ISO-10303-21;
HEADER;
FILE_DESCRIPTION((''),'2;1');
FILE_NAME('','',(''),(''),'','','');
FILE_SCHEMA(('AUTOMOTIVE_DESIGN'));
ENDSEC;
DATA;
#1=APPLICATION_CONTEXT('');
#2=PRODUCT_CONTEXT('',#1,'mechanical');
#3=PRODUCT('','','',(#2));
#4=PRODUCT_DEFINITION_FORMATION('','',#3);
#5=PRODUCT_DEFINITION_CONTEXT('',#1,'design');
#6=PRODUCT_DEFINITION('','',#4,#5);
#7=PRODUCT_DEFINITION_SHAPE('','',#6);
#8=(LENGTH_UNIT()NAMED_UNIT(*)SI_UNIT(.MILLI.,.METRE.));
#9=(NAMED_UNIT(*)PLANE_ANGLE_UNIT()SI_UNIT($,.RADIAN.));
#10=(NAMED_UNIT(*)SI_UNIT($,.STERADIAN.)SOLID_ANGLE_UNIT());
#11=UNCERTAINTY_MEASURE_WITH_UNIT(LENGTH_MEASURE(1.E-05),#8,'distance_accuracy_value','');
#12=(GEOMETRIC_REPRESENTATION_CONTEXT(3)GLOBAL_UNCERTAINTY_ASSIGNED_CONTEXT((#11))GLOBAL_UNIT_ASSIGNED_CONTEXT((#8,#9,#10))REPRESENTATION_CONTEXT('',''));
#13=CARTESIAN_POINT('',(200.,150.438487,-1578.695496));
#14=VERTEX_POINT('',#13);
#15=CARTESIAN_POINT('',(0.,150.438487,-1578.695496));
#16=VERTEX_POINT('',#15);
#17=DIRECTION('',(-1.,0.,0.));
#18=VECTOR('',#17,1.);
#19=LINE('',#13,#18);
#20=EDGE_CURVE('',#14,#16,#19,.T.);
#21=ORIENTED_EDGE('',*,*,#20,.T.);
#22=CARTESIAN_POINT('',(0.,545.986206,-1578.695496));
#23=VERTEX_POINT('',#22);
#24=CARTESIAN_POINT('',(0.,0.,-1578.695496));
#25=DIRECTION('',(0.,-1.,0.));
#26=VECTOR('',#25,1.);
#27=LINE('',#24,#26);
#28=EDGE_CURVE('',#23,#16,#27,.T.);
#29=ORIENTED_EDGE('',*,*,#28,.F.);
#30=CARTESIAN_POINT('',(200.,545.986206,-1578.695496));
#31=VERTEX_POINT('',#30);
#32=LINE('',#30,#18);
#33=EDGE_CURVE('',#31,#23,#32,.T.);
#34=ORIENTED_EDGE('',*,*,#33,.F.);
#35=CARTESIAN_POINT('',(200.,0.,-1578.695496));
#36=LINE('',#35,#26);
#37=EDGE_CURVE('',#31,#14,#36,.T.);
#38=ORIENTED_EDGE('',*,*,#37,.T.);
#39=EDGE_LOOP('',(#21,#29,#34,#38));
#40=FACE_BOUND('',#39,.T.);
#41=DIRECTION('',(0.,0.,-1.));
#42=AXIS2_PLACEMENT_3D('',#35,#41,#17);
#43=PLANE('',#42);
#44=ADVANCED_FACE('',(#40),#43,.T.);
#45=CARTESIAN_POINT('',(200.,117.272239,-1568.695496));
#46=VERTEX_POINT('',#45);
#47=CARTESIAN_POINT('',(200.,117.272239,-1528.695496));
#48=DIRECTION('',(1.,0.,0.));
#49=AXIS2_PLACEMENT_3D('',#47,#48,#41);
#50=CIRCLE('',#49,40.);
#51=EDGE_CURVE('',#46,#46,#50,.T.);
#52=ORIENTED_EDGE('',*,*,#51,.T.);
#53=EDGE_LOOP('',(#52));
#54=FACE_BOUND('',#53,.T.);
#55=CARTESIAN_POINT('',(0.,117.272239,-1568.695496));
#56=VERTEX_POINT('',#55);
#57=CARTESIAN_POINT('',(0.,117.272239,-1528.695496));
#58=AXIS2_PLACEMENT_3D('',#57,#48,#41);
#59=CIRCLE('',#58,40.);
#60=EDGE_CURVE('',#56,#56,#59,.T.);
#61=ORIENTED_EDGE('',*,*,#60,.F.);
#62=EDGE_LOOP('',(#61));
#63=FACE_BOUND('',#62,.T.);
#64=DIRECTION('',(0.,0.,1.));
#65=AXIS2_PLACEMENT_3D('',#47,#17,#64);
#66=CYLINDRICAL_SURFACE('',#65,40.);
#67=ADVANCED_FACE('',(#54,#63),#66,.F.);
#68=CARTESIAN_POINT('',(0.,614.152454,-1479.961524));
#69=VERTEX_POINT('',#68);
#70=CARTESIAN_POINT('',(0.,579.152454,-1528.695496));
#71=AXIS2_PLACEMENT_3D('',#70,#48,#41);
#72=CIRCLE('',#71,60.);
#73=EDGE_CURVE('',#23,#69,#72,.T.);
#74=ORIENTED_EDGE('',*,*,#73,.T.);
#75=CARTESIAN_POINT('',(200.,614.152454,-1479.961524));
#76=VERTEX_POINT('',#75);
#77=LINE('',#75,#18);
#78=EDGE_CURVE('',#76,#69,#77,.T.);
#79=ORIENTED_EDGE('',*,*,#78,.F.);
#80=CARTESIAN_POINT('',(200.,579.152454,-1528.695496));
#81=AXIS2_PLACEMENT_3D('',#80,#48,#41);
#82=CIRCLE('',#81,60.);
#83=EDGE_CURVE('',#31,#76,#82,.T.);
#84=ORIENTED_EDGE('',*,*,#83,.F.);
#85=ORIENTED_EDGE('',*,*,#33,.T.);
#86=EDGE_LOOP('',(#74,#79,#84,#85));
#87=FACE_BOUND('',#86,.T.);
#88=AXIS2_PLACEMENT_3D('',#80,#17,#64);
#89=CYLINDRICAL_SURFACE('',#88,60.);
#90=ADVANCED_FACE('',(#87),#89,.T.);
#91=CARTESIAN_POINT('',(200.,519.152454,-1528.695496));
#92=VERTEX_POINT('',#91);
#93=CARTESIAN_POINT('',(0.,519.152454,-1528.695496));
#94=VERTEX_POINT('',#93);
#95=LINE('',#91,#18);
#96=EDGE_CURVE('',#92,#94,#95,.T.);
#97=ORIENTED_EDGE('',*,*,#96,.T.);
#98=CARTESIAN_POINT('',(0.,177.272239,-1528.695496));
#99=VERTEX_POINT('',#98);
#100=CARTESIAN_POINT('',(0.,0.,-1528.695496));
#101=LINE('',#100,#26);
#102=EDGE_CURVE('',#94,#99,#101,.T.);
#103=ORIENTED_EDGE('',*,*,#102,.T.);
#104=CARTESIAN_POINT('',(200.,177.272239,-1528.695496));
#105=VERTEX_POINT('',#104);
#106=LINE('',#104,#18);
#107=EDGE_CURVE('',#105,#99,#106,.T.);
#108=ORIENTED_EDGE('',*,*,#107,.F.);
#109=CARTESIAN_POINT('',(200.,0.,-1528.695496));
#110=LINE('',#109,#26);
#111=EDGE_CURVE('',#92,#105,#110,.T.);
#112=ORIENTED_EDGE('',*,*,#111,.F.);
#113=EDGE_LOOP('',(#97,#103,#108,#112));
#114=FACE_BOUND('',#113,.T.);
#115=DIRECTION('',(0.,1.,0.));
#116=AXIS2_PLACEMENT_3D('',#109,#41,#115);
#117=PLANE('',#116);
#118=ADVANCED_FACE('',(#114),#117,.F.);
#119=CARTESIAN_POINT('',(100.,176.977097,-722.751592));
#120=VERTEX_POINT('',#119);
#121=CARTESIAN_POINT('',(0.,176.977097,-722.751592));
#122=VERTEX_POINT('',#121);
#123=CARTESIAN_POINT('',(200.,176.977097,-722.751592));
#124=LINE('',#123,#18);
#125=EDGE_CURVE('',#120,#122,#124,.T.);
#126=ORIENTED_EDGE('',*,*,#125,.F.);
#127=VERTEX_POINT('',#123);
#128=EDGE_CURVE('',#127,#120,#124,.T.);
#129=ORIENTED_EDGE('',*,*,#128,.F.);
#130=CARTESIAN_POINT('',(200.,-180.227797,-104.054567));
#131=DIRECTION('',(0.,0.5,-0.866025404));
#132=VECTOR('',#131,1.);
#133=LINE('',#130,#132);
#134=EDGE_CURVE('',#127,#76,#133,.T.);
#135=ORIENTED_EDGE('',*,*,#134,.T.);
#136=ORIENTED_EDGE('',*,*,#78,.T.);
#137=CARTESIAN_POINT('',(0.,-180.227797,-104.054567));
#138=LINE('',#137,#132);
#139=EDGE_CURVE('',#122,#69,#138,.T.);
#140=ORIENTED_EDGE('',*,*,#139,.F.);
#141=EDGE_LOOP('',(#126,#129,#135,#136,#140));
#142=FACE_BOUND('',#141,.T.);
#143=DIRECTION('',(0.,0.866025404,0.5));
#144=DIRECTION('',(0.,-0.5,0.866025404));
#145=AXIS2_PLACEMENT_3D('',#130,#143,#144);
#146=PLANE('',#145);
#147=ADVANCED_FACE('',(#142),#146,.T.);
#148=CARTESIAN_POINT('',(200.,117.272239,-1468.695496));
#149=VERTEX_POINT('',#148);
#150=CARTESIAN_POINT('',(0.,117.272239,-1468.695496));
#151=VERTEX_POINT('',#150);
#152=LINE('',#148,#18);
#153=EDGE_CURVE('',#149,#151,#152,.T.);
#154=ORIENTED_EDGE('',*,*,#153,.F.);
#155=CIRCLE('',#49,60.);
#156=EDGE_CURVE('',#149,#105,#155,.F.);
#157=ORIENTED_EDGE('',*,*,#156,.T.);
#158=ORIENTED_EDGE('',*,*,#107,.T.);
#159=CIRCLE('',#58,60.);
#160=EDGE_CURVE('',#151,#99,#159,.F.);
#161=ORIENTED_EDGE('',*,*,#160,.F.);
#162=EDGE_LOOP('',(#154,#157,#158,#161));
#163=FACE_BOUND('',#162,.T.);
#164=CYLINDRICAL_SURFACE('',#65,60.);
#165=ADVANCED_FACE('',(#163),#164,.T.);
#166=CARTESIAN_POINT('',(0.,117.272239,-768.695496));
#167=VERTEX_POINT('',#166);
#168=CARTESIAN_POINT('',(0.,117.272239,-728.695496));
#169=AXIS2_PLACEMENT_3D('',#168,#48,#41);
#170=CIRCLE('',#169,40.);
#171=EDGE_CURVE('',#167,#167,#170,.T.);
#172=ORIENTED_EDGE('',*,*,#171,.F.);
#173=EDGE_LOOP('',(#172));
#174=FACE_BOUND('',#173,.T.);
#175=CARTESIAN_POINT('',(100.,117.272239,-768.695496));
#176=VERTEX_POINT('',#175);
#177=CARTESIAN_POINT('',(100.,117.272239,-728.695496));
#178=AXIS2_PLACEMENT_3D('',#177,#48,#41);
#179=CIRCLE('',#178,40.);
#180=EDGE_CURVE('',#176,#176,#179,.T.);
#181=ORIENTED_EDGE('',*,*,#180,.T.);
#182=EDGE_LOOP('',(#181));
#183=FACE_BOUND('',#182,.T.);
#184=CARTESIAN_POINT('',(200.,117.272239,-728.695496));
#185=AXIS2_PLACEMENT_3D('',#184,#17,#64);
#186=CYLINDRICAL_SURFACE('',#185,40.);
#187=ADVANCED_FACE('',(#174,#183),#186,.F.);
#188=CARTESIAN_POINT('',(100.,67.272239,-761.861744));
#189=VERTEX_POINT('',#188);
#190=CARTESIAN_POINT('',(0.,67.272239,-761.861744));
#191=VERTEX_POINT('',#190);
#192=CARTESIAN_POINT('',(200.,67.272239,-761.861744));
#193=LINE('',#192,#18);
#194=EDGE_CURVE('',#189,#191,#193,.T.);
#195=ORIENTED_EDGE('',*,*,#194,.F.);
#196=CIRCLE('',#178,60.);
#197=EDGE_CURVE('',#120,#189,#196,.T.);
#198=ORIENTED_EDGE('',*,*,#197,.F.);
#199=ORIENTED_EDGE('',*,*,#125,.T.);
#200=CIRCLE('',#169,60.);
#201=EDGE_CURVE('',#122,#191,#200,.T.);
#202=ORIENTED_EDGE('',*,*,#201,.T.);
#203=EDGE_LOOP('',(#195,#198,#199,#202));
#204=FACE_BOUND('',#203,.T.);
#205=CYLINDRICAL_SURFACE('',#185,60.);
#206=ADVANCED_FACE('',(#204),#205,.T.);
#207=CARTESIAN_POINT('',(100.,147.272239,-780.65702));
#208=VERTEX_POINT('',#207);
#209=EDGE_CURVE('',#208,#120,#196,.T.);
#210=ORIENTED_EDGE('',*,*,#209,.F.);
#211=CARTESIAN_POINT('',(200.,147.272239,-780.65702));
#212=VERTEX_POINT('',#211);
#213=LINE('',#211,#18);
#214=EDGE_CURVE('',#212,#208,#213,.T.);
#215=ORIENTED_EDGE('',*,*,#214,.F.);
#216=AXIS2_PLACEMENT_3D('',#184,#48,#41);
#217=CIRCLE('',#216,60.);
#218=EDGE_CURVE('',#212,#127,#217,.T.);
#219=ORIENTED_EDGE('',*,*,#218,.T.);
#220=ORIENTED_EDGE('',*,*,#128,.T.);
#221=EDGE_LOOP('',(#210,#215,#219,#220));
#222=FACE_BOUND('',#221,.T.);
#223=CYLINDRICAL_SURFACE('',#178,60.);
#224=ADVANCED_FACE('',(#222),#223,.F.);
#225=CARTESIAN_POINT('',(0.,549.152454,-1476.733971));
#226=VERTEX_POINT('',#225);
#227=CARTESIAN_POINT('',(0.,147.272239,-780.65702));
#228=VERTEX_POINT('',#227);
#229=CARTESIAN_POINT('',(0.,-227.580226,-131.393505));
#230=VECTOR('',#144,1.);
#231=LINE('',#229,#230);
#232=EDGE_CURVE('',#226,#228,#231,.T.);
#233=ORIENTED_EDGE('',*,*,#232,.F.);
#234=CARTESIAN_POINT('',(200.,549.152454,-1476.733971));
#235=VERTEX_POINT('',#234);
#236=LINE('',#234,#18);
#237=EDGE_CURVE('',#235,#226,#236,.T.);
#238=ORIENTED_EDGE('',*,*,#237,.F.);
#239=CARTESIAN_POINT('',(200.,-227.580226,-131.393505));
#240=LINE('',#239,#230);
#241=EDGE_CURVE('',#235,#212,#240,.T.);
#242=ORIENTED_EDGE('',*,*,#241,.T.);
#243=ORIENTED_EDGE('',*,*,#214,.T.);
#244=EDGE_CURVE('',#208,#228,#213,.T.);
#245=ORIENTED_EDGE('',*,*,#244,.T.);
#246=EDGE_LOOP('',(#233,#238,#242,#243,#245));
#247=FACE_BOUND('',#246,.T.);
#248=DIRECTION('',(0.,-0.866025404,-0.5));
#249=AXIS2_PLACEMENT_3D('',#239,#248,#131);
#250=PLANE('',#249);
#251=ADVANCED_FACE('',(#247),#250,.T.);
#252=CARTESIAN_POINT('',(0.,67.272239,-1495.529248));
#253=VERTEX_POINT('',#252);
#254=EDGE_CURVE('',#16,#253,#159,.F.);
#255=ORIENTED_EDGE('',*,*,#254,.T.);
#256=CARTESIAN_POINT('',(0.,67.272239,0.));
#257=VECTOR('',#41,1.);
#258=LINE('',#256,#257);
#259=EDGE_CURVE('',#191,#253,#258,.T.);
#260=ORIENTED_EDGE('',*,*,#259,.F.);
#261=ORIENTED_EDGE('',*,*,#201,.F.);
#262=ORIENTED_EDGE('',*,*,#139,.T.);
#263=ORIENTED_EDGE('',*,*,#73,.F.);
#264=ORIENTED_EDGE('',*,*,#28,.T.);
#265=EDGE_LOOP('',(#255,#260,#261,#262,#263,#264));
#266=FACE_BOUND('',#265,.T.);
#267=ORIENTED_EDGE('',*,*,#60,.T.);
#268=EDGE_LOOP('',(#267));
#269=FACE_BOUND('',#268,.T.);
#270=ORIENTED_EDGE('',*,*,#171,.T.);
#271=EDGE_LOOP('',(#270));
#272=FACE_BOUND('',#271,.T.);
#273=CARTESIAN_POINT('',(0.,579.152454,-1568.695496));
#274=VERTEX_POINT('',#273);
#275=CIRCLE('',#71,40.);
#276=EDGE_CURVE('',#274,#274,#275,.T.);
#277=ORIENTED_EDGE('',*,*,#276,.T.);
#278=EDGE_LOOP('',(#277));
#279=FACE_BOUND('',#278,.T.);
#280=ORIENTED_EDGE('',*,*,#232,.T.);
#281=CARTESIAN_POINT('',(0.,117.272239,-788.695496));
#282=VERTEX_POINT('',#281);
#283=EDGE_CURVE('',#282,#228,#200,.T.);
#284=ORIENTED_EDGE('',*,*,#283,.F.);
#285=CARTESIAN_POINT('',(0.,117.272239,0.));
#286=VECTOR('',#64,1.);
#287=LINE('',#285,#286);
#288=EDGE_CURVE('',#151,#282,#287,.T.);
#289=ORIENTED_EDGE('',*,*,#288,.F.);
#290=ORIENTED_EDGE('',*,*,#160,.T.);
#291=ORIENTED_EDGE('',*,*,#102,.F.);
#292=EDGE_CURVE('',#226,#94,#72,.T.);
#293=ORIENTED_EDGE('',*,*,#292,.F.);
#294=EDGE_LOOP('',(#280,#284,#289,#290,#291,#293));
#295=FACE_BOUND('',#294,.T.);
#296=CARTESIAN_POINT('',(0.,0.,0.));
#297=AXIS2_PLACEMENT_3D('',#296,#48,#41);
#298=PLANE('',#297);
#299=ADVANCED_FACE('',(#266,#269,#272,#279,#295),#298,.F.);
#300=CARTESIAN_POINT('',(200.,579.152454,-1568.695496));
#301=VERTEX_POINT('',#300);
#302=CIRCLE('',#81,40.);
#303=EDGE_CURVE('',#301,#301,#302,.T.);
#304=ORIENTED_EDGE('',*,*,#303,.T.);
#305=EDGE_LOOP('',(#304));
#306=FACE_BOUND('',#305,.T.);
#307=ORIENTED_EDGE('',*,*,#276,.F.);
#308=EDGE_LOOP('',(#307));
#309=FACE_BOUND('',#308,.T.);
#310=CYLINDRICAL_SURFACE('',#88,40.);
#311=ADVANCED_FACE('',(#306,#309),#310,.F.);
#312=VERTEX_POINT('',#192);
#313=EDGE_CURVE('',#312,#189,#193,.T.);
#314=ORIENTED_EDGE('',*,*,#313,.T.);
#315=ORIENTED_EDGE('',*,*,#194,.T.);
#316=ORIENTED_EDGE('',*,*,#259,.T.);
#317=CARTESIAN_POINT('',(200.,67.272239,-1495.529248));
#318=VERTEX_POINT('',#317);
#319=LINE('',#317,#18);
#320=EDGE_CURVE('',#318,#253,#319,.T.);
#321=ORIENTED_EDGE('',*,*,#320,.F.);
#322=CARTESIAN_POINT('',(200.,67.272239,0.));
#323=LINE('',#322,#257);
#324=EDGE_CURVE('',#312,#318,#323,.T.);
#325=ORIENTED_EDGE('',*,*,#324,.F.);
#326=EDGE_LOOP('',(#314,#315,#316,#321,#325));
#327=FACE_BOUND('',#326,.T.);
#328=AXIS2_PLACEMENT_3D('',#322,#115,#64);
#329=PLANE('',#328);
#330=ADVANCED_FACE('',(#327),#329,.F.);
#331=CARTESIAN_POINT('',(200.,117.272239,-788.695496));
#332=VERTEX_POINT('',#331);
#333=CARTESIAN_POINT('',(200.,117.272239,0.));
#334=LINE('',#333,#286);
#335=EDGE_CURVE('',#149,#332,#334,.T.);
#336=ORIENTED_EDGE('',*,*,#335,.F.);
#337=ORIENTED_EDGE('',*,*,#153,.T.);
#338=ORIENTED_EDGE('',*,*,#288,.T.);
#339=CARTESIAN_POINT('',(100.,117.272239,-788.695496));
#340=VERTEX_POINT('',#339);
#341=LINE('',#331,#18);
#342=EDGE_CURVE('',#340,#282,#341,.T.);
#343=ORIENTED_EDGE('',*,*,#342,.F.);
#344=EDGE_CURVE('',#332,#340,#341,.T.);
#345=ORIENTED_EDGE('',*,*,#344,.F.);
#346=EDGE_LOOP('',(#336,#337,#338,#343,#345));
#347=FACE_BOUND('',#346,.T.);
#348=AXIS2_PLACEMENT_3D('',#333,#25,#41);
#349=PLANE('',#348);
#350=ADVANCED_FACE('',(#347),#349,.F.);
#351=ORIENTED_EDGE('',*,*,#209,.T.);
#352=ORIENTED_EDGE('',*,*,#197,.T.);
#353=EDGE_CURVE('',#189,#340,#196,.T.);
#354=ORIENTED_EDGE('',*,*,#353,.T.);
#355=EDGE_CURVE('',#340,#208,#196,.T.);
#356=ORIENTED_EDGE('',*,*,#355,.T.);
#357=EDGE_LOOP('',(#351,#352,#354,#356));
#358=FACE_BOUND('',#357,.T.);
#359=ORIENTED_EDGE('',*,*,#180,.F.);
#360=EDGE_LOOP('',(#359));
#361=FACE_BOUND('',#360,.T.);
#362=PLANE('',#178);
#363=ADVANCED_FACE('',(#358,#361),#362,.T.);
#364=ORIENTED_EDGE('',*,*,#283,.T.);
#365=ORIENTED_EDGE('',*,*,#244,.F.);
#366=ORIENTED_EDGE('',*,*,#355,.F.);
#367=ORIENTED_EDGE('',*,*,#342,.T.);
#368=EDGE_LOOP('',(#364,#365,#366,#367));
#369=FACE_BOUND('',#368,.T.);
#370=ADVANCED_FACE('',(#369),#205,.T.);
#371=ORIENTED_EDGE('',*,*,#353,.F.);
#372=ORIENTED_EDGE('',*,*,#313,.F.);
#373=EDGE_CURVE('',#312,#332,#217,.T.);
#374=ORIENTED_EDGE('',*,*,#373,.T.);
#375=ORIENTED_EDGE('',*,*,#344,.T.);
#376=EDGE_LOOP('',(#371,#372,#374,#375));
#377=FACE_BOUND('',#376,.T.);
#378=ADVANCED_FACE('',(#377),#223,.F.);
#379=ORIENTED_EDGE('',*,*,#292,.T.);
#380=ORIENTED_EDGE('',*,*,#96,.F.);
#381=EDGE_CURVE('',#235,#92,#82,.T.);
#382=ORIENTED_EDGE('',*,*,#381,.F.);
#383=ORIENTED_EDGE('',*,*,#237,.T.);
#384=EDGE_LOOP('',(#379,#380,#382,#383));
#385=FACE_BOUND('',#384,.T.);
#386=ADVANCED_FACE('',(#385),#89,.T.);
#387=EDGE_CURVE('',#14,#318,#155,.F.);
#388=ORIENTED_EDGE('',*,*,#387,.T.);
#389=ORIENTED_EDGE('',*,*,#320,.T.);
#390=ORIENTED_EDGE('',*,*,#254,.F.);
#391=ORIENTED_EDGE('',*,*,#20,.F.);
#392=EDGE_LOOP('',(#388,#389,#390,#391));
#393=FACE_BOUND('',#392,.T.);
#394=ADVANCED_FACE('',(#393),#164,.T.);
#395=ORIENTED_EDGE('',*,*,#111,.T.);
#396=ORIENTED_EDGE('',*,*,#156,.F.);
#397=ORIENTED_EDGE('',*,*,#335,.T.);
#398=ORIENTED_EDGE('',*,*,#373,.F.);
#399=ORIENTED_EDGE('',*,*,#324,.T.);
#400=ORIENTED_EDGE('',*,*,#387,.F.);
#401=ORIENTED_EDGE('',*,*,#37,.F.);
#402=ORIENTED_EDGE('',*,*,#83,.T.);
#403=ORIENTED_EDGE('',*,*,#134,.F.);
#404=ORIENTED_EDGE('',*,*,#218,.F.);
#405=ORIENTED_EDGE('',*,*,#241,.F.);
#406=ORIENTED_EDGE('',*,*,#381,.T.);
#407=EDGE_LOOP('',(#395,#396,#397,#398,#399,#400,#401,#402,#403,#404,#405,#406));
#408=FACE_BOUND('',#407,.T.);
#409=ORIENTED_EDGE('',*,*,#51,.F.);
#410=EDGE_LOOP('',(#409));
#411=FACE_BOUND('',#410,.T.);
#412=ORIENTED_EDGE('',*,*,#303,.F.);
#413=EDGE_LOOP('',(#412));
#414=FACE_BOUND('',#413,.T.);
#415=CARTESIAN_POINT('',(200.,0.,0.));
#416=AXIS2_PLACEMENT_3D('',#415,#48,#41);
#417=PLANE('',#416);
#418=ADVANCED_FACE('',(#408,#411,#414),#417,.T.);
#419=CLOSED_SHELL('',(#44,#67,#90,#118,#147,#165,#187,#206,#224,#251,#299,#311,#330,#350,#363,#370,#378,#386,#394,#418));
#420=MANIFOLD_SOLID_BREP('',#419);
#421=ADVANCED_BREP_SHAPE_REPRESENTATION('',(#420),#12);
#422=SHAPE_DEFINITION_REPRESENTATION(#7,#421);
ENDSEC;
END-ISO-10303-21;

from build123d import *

# Parameters (mm, degrees)
SKETCH2_R           = 40
BOSS_EXTRUDE1_DEPTH = 200
CUT_EXTRUDE1_START  = 200
SKETCH4_R           = 60
CUT_EXTRUDE1_DEPTH  = 100


with BuildPart() as part:
    # Sketch2 → Boss-Extrude1 (new body)
    with BuildSketch(Plane(origin=(0, 0, 0), x_dir=(0, 0, -1), z_dir=(1, 0, 0))):
        with BuildLine():
            ThreePointArc((1495.529247778, 67.272238992), (1475.827854944, 88.899495683), (1468.695495681, 117.272238992))
            Line((1468.695495681, 117.272238992), (788.695495681, 117.272238992))
            ThreePointArc((788.695495681, 117.272238992), (781.563136418, 88.899495683), (761.861743585, 67.272238992))
            Line((761.861743585, 67.272238992), (1495.529247778, 67.272238992))
        make_face()
        with BuildLine():
            Line((780.657019908, 147.272238992), (1476.733971454, 549.152454344))
            ThreePointArc((1476.733971454, 549.152454344), (1468.769326722, 582.128067523), (1479.961523957, 614.152454344))
            Line((1479.961523957, 614.152454344), (722.751592411, 176.977096532))
            ThreePointArc((722.751592411, 176.977096532), (756.081623557, 170.657630252), (780.657019908, 147.272238992))
        make_face()
        with BuildLine():
            ThreePointArc((1578.695495681, 545.98620644), (1557.068238991, 526.284813607), (1528.695495681, 519.152454344))
            Line((1528.695495681, 519.152454344), (1528.695495681, 177.272238992))
            ThreePointArc((1528.695495681, 177.272238992), (1557.068238991, 170.139879729), (1578.695495681, 150.438486896))
            Line((1578.695495681, 150.438486896), (1578.695495681, 545.98620644))
        make_face()
        with BuildLine():
            ThreePointArc((780.657019908, 147.272238992), (670.739946104, 101.743096286), (788.695495681, 117.272238992))
            ThreePointArc((788.695495681, 117.272238992), (786.651045259, 132.801381698), (780.657019908, 147.272238992))
        make_face()
        with Locations((728.695495681, 117.272238992)):
            Circle(SKETCH2_R, mode=Mode.SUBTRACT)
        with BuildLine():
            ThreePointArc((1468.695495681, 117.272238992), (1486.26908881, 159.698645863), (1528.695495681, 177.272238992))
            ThreePointArc((1528.695495681, 177.272238992), (1571.121902553, 74.845832121), (1468.695495681, 117.272238992))
        make_face()
        with Locations((1528.695495681, 117.272238992)):
            Circle(SKETCH2_R, mode=Mode.SUBTRACT)
        with BuildLine():
            ThreePointArc((1528.695495681, 519.152454344), (1558.695495681, 631.113978571), (1476.733971454, 549.152454344))
            ThreePointArc((1476.733971454, 549.152454344), (1498.695495681, 527.190930117), (1528.695495681, 519.152454344))
        make_face()
        with Locations((1528.695495681, 579.152454344)):
            Circle(SKETCH2_R, mode=Mode.SUBTRACT)
    extrude(amount=BOSS_EXTRUDE1_DEPTH)

    # Sketch4 → Cut-Extrude1 (cut)
    with BuildSketch(Plane(origin=(0, 0, 0), x_dir=(0, 0, -1), z_dir=(1, 0, 0)).offset(CUT_EXTRUDE1_START)):
        with Locations((728.695495681, 117.272238992)):
            Circle(SKETCH4_R)
    extrude(amount=-CUT_EXTRUDE1_DEPTH, mode=Mode.SUBTRACT)


solid = part.part
